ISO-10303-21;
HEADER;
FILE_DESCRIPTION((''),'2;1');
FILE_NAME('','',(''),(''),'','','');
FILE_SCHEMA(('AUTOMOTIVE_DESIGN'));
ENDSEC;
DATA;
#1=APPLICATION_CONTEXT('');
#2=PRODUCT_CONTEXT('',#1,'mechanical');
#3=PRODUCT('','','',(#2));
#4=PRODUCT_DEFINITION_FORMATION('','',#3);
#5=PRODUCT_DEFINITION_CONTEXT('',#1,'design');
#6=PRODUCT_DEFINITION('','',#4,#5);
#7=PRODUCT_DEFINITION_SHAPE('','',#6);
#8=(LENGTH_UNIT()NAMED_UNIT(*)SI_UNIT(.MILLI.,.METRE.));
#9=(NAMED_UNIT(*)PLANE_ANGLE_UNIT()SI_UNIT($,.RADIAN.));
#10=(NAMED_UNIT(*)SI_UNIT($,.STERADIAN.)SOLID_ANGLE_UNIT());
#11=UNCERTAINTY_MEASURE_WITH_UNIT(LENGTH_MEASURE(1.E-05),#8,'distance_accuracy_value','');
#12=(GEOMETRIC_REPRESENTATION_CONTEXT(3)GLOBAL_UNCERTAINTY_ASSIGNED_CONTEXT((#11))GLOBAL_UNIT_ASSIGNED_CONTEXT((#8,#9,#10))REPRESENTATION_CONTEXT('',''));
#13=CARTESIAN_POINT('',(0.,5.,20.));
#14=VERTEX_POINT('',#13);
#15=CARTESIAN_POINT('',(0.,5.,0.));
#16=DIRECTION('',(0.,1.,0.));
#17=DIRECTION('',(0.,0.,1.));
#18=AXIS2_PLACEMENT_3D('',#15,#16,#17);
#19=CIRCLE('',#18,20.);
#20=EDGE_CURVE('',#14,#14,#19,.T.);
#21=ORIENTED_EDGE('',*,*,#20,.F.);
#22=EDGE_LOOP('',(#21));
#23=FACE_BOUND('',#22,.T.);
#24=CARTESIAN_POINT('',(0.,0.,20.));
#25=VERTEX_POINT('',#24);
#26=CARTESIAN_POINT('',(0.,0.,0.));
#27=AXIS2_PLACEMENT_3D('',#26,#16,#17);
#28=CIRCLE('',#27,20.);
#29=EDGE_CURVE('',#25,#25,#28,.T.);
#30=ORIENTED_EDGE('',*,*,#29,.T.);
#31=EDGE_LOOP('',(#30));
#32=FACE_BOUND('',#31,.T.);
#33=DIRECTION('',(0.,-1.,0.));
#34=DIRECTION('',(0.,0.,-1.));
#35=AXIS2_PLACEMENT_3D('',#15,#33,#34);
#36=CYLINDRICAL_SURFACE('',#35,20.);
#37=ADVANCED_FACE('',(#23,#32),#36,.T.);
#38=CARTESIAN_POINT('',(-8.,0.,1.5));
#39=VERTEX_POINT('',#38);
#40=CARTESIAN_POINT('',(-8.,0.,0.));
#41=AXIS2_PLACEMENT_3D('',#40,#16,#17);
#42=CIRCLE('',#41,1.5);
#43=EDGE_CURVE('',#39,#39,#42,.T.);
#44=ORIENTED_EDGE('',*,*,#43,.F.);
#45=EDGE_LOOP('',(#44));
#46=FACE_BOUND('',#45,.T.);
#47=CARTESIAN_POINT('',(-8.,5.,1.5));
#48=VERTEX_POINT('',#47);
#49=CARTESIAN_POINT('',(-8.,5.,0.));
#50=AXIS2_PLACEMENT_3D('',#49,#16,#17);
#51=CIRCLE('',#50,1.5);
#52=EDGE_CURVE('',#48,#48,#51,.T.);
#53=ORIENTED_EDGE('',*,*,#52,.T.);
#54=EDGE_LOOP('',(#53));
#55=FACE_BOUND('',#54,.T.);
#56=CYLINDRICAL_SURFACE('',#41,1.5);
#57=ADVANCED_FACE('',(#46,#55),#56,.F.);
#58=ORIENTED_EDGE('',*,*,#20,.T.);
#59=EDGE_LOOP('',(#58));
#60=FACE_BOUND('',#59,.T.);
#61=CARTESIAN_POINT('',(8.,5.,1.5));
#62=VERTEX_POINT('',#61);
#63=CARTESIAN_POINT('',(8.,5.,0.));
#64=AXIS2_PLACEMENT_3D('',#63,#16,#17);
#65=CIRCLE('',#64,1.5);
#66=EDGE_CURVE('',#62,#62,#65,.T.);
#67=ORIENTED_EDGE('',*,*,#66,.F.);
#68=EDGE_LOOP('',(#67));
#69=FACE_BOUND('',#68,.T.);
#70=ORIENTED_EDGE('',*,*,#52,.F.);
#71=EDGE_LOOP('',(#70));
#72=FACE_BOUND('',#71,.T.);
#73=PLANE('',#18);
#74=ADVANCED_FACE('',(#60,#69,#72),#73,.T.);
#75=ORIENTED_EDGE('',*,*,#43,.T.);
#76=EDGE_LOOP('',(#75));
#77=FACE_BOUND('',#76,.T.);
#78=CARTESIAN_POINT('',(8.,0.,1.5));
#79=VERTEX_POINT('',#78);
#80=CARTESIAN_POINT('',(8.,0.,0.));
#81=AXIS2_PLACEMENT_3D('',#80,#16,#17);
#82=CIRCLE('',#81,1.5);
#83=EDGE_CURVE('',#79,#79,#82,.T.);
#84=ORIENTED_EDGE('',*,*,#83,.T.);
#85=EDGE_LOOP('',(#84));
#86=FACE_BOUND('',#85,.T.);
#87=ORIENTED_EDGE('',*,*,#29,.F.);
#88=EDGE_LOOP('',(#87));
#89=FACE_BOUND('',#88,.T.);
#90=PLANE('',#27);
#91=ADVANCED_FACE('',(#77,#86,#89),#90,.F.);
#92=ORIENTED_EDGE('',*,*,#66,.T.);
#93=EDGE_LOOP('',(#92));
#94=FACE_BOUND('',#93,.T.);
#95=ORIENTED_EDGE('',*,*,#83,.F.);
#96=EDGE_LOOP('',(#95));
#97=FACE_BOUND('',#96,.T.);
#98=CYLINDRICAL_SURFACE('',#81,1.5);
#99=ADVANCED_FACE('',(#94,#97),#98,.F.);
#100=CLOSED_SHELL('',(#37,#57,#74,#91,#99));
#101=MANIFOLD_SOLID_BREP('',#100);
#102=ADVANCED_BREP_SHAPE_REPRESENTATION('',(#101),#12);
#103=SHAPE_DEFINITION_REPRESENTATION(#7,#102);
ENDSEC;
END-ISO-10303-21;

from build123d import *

# Parameters (mm, degrees)
SKETCH1_R           = 20
BOSS_EXTRUDE1_DEPTH = 5
SKETCH2_R           = 1.5
CUT_EXTRUDE1_DEPTH  = 5


with BuildPart() as part:
    # Sketch1 → Boss-Extrude1 (new body)
    with BuildSketch(Plane(origin=(0, 0, 0), x_dir=(1, 0, 0), z_dir=(0, 1, 0))):
        with Locations(Location((0, 0, 0), (0, 0, 270))):
            Circle(SKETCH1_R)
    extrude(amount=BOSS_EXTRUDE1_DEPTH)

    # Sketch2 → Cut-Extrude1 (cut)
    with BuildSketch(Plane(origin=(0, 5, 0), x_dir=(1, 0, 0), z_dir=(0, 1, 0))):
        with Locations(Location((8, 0, 0), (0, 0, 270))):
            Circle(SKETCH2_R)
        with Locations(Location((-8, 0, 0), (0, 0, 270))):
            Circle(SKETCH2_R)
    extrude(amount=-CUT_EXTRUDE1_DEPTH, mode=Mode.SUBTRACT)


solid = part.part
